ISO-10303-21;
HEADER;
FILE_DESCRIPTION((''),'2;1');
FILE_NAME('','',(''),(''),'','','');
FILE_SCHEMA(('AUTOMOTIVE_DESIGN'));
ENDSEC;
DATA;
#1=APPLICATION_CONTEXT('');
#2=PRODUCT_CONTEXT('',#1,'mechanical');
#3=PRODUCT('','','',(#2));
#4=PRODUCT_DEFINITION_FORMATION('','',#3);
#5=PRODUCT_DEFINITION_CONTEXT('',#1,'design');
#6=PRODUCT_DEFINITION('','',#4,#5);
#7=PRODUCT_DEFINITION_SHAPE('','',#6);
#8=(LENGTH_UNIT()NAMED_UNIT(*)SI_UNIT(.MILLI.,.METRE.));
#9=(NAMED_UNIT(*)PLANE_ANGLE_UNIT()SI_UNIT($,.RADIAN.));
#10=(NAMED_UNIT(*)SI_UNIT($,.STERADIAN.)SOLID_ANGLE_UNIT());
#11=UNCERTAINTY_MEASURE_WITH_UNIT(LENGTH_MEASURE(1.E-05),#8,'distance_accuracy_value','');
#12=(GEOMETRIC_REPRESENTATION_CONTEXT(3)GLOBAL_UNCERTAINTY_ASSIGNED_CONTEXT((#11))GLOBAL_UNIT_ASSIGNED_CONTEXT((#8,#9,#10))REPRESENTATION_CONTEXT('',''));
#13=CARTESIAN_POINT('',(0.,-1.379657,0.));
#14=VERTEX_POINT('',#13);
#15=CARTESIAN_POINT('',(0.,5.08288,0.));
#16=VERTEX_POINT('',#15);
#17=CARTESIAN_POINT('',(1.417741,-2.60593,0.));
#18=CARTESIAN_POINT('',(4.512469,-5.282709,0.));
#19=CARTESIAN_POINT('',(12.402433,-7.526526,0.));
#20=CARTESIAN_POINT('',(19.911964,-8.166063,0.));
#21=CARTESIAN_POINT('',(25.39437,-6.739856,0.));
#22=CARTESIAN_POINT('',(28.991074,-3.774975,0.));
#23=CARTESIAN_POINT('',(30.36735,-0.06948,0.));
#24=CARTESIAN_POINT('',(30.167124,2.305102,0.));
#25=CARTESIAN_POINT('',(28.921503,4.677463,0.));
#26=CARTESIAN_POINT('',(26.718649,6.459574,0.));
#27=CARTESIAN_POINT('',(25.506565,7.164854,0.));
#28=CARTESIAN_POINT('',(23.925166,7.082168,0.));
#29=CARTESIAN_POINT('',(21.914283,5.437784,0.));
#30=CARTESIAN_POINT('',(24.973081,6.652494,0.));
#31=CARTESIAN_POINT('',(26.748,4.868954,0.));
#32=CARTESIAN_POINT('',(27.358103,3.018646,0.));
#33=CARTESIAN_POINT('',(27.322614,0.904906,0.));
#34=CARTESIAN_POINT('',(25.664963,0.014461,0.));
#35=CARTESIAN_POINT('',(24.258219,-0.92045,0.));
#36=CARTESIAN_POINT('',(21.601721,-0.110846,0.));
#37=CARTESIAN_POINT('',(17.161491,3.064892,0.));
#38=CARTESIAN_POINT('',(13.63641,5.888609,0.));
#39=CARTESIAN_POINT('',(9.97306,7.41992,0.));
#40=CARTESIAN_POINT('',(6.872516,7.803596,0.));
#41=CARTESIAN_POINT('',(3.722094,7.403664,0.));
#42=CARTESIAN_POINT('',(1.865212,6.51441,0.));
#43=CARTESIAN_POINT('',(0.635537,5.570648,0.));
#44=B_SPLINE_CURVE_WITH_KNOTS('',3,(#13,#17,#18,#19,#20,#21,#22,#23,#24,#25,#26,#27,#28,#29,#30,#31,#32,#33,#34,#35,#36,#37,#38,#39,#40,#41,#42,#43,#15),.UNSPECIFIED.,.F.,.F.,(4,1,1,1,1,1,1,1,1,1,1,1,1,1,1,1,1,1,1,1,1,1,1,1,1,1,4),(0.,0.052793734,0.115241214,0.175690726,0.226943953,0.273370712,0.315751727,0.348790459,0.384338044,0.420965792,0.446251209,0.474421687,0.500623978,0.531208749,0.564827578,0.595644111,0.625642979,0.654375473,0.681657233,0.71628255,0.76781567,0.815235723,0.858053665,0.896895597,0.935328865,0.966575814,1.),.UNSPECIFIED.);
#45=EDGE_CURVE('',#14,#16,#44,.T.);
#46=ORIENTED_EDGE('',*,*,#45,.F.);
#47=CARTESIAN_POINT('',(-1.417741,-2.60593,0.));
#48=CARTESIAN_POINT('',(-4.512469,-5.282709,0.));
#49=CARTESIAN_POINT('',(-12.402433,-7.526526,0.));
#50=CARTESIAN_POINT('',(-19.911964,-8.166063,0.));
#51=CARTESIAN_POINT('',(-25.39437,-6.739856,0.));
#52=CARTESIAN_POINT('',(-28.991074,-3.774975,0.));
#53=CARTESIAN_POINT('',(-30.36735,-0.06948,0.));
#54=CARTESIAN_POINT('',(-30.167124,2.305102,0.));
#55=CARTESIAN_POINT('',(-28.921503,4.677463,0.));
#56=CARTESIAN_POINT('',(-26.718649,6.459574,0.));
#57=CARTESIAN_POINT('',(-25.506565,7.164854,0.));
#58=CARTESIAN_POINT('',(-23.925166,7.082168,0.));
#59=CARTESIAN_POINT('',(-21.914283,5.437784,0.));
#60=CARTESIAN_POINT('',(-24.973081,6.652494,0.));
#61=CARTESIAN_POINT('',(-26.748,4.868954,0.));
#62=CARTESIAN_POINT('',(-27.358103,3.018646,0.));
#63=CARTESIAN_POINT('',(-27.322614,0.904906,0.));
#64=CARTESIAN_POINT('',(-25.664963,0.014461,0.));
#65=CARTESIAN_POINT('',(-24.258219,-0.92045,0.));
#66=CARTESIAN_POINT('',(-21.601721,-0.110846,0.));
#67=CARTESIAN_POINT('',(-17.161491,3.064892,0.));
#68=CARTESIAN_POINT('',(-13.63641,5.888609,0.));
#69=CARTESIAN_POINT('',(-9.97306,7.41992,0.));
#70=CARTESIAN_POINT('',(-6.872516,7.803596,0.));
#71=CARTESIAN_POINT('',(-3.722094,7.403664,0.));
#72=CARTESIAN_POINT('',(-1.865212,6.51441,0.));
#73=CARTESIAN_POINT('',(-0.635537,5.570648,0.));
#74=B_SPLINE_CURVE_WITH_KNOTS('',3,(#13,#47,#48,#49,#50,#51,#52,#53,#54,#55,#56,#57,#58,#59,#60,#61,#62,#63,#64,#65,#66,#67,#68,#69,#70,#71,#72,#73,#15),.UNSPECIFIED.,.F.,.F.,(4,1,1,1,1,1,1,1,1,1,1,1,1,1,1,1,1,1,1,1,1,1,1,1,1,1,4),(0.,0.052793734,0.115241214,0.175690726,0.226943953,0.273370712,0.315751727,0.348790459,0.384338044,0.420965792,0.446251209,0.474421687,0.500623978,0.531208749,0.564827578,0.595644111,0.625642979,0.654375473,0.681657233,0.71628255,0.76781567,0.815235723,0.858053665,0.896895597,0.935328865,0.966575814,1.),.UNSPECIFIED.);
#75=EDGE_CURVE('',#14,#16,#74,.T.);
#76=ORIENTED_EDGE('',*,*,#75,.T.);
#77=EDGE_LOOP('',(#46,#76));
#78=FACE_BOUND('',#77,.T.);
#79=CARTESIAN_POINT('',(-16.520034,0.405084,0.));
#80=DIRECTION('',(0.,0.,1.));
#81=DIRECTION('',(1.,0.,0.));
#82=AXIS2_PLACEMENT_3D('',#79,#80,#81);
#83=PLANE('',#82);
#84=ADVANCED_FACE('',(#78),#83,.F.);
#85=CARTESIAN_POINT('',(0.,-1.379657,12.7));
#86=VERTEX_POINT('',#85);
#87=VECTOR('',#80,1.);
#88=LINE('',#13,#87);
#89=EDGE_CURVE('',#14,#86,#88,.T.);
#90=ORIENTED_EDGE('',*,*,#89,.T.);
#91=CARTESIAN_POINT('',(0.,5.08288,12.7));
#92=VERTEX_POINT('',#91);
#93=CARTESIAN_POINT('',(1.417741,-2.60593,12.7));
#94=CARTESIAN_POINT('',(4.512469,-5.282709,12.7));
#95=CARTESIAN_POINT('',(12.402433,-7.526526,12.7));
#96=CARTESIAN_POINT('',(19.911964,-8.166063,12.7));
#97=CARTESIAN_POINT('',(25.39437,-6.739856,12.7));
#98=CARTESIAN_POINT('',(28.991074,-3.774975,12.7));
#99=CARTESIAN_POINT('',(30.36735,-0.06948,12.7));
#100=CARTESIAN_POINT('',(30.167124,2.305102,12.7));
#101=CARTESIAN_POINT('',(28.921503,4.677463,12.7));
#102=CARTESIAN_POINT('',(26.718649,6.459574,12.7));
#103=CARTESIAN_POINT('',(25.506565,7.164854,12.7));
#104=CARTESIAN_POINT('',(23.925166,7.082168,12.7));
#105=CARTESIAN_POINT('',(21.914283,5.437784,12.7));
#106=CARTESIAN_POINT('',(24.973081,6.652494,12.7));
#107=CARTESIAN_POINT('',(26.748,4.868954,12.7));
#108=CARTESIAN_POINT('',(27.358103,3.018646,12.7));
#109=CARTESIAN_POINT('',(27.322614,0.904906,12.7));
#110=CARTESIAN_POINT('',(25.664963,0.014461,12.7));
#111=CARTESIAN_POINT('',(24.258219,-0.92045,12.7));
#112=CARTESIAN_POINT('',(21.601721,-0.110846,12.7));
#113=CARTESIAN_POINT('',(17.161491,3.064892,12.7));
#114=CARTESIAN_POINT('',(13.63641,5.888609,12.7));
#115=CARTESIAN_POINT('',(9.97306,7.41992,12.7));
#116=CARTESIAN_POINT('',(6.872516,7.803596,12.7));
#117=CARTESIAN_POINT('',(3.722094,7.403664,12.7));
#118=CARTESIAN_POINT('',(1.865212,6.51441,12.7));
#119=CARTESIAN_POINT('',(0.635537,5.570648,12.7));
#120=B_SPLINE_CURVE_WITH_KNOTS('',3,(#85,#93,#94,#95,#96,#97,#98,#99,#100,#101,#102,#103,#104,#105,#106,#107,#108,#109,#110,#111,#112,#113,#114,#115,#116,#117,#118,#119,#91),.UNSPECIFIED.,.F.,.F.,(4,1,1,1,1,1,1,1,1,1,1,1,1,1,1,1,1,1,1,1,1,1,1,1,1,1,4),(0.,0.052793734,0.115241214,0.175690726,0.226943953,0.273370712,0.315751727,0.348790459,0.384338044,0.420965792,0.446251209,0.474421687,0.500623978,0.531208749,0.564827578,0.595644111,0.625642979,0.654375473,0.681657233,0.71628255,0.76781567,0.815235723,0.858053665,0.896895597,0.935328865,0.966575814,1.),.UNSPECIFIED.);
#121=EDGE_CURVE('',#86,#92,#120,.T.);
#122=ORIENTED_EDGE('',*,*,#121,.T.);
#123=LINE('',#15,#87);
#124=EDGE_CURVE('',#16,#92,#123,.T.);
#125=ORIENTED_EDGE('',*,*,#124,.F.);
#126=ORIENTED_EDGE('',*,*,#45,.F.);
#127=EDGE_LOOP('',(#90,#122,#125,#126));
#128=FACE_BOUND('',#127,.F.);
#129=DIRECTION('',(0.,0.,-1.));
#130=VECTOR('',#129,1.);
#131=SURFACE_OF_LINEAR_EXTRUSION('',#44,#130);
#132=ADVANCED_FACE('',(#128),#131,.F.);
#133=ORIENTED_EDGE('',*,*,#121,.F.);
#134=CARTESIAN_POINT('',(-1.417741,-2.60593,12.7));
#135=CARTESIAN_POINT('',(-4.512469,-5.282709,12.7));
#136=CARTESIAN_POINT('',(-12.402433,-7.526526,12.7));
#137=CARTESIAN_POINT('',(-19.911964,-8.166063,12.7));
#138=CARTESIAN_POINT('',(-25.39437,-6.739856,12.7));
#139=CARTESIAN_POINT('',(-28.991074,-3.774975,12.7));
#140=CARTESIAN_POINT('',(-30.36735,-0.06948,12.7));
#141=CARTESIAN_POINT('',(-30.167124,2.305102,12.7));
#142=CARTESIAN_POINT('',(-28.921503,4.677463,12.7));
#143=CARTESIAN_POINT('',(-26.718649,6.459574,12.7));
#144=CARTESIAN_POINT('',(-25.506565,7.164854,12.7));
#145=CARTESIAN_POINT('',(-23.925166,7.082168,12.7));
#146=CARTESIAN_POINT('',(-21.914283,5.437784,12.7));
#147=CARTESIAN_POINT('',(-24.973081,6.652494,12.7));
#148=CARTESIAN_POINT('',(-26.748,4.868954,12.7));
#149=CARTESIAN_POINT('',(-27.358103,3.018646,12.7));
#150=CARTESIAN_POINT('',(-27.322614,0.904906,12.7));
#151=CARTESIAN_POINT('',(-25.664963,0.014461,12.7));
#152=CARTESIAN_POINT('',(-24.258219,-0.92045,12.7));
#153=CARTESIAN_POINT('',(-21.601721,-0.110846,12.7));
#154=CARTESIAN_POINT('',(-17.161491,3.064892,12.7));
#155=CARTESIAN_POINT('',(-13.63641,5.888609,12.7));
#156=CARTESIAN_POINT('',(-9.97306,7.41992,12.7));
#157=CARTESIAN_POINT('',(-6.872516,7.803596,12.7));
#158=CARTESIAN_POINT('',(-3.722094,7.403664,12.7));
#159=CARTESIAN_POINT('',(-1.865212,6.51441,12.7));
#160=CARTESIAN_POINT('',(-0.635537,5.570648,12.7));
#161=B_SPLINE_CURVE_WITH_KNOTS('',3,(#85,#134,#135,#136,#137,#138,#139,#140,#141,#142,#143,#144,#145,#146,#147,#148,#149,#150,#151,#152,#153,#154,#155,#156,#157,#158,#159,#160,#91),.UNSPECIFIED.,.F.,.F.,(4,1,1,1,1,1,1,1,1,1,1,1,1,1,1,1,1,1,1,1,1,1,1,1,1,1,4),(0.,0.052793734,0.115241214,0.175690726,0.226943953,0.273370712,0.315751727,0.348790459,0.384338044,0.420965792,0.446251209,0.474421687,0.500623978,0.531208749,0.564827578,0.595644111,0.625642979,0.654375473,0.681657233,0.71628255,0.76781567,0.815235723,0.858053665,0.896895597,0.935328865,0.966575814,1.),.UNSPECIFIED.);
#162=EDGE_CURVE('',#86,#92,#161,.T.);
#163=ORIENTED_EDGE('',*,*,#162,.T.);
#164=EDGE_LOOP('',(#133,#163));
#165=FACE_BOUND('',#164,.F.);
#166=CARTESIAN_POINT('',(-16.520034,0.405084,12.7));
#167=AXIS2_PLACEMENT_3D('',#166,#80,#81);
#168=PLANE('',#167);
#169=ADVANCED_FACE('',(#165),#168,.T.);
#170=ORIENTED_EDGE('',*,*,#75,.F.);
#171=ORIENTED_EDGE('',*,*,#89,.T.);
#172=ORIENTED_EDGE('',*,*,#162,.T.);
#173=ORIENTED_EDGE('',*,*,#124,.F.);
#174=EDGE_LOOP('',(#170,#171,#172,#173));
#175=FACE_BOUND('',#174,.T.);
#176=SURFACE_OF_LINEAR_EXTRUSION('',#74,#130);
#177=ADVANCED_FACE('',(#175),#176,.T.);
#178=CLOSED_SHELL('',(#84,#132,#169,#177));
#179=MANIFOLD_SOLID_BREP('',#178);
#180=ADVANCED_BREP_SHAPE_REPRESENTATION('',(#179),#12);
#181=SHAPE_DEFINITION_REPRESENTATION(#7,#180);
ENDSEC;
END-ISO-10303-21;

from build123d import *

# Parameters (mm, degrees)
F1_DEPTH = 12.7


with BuildPart() as f1:
    # F0 (on Top) → F1 (new body)
    with BuildSketch(Plane.XY):
        with BuildLine():
            Line((0, 5.0828801468), (0, -1.3796568383))
            add(Edge.make_bspline(
                [(0, -1.3796568383), (1.4177412664, -2.6059296656), (4.5124688707, -5.2827088913), (12.4024334428, -7.5265258643), (19.9119644469, -8.1660625241), (25.3943698764, -6.7398556735), (28.9910742739, -3.7749751349), (30.3673497044, -0.0694796792), (30.1671241099, 2.3051024074), (28.9215030001, 4.6774628108), (26.7186490207, 6.4595736201), (25.5065654141, 7.1648544608), (23.9251659, 7.0821681072), (21.9142829189, 5.4377837124), (24.9730810196, 6.6524939256), (26.7480001595, 4.8689543516), (27.3581029709, 3.0186458685), (27.3226144765, 0.9049060263), (25.6649631653, 0.014461124), (24.25821902, -0.9204501776), (21.6017207943, -0.1108458169), (17.161490786, 3.0648923658), (13.636410153, 5.888608563), (9.9730597804, 7.4199202233), (6.8725155541, 7.8035958314), (3.7220938203, 7.4036639442), (1.8652122617, 6.5144101902), (0.6355369619, 5.5706478252), (0, 5.0828801468)],
                knots=[0, 0, 0, 0, 0.0527937337, 0.1152412142, 0.1756907259, 0.2269439535, 0.2733707118, 0.3157517269, 0.3487904591, 0.3843380435, 0.4209657924, 0.4462512087, 0.4744216869, 0.5006239778, 0.5312087495, 0.5648275784, 0.5956441106, 0.6256429789, 0.6543754729, 0.6816572326, 0.7162825504, 0.7678156703, 0.8152357231, 0.8580536649, 0.8968955967, 0.9353288653, 0.9665758136, 1, 1, 1, 1], degree=3))
        make_face()
    extrude(amount=F1_DEPTH)

    # F2: F1 across plane


with BuildPart() as f1_1:
    add(f1.part)
    add(f1.part.mirror(Plane.YZ))


solid = f1_1.part
